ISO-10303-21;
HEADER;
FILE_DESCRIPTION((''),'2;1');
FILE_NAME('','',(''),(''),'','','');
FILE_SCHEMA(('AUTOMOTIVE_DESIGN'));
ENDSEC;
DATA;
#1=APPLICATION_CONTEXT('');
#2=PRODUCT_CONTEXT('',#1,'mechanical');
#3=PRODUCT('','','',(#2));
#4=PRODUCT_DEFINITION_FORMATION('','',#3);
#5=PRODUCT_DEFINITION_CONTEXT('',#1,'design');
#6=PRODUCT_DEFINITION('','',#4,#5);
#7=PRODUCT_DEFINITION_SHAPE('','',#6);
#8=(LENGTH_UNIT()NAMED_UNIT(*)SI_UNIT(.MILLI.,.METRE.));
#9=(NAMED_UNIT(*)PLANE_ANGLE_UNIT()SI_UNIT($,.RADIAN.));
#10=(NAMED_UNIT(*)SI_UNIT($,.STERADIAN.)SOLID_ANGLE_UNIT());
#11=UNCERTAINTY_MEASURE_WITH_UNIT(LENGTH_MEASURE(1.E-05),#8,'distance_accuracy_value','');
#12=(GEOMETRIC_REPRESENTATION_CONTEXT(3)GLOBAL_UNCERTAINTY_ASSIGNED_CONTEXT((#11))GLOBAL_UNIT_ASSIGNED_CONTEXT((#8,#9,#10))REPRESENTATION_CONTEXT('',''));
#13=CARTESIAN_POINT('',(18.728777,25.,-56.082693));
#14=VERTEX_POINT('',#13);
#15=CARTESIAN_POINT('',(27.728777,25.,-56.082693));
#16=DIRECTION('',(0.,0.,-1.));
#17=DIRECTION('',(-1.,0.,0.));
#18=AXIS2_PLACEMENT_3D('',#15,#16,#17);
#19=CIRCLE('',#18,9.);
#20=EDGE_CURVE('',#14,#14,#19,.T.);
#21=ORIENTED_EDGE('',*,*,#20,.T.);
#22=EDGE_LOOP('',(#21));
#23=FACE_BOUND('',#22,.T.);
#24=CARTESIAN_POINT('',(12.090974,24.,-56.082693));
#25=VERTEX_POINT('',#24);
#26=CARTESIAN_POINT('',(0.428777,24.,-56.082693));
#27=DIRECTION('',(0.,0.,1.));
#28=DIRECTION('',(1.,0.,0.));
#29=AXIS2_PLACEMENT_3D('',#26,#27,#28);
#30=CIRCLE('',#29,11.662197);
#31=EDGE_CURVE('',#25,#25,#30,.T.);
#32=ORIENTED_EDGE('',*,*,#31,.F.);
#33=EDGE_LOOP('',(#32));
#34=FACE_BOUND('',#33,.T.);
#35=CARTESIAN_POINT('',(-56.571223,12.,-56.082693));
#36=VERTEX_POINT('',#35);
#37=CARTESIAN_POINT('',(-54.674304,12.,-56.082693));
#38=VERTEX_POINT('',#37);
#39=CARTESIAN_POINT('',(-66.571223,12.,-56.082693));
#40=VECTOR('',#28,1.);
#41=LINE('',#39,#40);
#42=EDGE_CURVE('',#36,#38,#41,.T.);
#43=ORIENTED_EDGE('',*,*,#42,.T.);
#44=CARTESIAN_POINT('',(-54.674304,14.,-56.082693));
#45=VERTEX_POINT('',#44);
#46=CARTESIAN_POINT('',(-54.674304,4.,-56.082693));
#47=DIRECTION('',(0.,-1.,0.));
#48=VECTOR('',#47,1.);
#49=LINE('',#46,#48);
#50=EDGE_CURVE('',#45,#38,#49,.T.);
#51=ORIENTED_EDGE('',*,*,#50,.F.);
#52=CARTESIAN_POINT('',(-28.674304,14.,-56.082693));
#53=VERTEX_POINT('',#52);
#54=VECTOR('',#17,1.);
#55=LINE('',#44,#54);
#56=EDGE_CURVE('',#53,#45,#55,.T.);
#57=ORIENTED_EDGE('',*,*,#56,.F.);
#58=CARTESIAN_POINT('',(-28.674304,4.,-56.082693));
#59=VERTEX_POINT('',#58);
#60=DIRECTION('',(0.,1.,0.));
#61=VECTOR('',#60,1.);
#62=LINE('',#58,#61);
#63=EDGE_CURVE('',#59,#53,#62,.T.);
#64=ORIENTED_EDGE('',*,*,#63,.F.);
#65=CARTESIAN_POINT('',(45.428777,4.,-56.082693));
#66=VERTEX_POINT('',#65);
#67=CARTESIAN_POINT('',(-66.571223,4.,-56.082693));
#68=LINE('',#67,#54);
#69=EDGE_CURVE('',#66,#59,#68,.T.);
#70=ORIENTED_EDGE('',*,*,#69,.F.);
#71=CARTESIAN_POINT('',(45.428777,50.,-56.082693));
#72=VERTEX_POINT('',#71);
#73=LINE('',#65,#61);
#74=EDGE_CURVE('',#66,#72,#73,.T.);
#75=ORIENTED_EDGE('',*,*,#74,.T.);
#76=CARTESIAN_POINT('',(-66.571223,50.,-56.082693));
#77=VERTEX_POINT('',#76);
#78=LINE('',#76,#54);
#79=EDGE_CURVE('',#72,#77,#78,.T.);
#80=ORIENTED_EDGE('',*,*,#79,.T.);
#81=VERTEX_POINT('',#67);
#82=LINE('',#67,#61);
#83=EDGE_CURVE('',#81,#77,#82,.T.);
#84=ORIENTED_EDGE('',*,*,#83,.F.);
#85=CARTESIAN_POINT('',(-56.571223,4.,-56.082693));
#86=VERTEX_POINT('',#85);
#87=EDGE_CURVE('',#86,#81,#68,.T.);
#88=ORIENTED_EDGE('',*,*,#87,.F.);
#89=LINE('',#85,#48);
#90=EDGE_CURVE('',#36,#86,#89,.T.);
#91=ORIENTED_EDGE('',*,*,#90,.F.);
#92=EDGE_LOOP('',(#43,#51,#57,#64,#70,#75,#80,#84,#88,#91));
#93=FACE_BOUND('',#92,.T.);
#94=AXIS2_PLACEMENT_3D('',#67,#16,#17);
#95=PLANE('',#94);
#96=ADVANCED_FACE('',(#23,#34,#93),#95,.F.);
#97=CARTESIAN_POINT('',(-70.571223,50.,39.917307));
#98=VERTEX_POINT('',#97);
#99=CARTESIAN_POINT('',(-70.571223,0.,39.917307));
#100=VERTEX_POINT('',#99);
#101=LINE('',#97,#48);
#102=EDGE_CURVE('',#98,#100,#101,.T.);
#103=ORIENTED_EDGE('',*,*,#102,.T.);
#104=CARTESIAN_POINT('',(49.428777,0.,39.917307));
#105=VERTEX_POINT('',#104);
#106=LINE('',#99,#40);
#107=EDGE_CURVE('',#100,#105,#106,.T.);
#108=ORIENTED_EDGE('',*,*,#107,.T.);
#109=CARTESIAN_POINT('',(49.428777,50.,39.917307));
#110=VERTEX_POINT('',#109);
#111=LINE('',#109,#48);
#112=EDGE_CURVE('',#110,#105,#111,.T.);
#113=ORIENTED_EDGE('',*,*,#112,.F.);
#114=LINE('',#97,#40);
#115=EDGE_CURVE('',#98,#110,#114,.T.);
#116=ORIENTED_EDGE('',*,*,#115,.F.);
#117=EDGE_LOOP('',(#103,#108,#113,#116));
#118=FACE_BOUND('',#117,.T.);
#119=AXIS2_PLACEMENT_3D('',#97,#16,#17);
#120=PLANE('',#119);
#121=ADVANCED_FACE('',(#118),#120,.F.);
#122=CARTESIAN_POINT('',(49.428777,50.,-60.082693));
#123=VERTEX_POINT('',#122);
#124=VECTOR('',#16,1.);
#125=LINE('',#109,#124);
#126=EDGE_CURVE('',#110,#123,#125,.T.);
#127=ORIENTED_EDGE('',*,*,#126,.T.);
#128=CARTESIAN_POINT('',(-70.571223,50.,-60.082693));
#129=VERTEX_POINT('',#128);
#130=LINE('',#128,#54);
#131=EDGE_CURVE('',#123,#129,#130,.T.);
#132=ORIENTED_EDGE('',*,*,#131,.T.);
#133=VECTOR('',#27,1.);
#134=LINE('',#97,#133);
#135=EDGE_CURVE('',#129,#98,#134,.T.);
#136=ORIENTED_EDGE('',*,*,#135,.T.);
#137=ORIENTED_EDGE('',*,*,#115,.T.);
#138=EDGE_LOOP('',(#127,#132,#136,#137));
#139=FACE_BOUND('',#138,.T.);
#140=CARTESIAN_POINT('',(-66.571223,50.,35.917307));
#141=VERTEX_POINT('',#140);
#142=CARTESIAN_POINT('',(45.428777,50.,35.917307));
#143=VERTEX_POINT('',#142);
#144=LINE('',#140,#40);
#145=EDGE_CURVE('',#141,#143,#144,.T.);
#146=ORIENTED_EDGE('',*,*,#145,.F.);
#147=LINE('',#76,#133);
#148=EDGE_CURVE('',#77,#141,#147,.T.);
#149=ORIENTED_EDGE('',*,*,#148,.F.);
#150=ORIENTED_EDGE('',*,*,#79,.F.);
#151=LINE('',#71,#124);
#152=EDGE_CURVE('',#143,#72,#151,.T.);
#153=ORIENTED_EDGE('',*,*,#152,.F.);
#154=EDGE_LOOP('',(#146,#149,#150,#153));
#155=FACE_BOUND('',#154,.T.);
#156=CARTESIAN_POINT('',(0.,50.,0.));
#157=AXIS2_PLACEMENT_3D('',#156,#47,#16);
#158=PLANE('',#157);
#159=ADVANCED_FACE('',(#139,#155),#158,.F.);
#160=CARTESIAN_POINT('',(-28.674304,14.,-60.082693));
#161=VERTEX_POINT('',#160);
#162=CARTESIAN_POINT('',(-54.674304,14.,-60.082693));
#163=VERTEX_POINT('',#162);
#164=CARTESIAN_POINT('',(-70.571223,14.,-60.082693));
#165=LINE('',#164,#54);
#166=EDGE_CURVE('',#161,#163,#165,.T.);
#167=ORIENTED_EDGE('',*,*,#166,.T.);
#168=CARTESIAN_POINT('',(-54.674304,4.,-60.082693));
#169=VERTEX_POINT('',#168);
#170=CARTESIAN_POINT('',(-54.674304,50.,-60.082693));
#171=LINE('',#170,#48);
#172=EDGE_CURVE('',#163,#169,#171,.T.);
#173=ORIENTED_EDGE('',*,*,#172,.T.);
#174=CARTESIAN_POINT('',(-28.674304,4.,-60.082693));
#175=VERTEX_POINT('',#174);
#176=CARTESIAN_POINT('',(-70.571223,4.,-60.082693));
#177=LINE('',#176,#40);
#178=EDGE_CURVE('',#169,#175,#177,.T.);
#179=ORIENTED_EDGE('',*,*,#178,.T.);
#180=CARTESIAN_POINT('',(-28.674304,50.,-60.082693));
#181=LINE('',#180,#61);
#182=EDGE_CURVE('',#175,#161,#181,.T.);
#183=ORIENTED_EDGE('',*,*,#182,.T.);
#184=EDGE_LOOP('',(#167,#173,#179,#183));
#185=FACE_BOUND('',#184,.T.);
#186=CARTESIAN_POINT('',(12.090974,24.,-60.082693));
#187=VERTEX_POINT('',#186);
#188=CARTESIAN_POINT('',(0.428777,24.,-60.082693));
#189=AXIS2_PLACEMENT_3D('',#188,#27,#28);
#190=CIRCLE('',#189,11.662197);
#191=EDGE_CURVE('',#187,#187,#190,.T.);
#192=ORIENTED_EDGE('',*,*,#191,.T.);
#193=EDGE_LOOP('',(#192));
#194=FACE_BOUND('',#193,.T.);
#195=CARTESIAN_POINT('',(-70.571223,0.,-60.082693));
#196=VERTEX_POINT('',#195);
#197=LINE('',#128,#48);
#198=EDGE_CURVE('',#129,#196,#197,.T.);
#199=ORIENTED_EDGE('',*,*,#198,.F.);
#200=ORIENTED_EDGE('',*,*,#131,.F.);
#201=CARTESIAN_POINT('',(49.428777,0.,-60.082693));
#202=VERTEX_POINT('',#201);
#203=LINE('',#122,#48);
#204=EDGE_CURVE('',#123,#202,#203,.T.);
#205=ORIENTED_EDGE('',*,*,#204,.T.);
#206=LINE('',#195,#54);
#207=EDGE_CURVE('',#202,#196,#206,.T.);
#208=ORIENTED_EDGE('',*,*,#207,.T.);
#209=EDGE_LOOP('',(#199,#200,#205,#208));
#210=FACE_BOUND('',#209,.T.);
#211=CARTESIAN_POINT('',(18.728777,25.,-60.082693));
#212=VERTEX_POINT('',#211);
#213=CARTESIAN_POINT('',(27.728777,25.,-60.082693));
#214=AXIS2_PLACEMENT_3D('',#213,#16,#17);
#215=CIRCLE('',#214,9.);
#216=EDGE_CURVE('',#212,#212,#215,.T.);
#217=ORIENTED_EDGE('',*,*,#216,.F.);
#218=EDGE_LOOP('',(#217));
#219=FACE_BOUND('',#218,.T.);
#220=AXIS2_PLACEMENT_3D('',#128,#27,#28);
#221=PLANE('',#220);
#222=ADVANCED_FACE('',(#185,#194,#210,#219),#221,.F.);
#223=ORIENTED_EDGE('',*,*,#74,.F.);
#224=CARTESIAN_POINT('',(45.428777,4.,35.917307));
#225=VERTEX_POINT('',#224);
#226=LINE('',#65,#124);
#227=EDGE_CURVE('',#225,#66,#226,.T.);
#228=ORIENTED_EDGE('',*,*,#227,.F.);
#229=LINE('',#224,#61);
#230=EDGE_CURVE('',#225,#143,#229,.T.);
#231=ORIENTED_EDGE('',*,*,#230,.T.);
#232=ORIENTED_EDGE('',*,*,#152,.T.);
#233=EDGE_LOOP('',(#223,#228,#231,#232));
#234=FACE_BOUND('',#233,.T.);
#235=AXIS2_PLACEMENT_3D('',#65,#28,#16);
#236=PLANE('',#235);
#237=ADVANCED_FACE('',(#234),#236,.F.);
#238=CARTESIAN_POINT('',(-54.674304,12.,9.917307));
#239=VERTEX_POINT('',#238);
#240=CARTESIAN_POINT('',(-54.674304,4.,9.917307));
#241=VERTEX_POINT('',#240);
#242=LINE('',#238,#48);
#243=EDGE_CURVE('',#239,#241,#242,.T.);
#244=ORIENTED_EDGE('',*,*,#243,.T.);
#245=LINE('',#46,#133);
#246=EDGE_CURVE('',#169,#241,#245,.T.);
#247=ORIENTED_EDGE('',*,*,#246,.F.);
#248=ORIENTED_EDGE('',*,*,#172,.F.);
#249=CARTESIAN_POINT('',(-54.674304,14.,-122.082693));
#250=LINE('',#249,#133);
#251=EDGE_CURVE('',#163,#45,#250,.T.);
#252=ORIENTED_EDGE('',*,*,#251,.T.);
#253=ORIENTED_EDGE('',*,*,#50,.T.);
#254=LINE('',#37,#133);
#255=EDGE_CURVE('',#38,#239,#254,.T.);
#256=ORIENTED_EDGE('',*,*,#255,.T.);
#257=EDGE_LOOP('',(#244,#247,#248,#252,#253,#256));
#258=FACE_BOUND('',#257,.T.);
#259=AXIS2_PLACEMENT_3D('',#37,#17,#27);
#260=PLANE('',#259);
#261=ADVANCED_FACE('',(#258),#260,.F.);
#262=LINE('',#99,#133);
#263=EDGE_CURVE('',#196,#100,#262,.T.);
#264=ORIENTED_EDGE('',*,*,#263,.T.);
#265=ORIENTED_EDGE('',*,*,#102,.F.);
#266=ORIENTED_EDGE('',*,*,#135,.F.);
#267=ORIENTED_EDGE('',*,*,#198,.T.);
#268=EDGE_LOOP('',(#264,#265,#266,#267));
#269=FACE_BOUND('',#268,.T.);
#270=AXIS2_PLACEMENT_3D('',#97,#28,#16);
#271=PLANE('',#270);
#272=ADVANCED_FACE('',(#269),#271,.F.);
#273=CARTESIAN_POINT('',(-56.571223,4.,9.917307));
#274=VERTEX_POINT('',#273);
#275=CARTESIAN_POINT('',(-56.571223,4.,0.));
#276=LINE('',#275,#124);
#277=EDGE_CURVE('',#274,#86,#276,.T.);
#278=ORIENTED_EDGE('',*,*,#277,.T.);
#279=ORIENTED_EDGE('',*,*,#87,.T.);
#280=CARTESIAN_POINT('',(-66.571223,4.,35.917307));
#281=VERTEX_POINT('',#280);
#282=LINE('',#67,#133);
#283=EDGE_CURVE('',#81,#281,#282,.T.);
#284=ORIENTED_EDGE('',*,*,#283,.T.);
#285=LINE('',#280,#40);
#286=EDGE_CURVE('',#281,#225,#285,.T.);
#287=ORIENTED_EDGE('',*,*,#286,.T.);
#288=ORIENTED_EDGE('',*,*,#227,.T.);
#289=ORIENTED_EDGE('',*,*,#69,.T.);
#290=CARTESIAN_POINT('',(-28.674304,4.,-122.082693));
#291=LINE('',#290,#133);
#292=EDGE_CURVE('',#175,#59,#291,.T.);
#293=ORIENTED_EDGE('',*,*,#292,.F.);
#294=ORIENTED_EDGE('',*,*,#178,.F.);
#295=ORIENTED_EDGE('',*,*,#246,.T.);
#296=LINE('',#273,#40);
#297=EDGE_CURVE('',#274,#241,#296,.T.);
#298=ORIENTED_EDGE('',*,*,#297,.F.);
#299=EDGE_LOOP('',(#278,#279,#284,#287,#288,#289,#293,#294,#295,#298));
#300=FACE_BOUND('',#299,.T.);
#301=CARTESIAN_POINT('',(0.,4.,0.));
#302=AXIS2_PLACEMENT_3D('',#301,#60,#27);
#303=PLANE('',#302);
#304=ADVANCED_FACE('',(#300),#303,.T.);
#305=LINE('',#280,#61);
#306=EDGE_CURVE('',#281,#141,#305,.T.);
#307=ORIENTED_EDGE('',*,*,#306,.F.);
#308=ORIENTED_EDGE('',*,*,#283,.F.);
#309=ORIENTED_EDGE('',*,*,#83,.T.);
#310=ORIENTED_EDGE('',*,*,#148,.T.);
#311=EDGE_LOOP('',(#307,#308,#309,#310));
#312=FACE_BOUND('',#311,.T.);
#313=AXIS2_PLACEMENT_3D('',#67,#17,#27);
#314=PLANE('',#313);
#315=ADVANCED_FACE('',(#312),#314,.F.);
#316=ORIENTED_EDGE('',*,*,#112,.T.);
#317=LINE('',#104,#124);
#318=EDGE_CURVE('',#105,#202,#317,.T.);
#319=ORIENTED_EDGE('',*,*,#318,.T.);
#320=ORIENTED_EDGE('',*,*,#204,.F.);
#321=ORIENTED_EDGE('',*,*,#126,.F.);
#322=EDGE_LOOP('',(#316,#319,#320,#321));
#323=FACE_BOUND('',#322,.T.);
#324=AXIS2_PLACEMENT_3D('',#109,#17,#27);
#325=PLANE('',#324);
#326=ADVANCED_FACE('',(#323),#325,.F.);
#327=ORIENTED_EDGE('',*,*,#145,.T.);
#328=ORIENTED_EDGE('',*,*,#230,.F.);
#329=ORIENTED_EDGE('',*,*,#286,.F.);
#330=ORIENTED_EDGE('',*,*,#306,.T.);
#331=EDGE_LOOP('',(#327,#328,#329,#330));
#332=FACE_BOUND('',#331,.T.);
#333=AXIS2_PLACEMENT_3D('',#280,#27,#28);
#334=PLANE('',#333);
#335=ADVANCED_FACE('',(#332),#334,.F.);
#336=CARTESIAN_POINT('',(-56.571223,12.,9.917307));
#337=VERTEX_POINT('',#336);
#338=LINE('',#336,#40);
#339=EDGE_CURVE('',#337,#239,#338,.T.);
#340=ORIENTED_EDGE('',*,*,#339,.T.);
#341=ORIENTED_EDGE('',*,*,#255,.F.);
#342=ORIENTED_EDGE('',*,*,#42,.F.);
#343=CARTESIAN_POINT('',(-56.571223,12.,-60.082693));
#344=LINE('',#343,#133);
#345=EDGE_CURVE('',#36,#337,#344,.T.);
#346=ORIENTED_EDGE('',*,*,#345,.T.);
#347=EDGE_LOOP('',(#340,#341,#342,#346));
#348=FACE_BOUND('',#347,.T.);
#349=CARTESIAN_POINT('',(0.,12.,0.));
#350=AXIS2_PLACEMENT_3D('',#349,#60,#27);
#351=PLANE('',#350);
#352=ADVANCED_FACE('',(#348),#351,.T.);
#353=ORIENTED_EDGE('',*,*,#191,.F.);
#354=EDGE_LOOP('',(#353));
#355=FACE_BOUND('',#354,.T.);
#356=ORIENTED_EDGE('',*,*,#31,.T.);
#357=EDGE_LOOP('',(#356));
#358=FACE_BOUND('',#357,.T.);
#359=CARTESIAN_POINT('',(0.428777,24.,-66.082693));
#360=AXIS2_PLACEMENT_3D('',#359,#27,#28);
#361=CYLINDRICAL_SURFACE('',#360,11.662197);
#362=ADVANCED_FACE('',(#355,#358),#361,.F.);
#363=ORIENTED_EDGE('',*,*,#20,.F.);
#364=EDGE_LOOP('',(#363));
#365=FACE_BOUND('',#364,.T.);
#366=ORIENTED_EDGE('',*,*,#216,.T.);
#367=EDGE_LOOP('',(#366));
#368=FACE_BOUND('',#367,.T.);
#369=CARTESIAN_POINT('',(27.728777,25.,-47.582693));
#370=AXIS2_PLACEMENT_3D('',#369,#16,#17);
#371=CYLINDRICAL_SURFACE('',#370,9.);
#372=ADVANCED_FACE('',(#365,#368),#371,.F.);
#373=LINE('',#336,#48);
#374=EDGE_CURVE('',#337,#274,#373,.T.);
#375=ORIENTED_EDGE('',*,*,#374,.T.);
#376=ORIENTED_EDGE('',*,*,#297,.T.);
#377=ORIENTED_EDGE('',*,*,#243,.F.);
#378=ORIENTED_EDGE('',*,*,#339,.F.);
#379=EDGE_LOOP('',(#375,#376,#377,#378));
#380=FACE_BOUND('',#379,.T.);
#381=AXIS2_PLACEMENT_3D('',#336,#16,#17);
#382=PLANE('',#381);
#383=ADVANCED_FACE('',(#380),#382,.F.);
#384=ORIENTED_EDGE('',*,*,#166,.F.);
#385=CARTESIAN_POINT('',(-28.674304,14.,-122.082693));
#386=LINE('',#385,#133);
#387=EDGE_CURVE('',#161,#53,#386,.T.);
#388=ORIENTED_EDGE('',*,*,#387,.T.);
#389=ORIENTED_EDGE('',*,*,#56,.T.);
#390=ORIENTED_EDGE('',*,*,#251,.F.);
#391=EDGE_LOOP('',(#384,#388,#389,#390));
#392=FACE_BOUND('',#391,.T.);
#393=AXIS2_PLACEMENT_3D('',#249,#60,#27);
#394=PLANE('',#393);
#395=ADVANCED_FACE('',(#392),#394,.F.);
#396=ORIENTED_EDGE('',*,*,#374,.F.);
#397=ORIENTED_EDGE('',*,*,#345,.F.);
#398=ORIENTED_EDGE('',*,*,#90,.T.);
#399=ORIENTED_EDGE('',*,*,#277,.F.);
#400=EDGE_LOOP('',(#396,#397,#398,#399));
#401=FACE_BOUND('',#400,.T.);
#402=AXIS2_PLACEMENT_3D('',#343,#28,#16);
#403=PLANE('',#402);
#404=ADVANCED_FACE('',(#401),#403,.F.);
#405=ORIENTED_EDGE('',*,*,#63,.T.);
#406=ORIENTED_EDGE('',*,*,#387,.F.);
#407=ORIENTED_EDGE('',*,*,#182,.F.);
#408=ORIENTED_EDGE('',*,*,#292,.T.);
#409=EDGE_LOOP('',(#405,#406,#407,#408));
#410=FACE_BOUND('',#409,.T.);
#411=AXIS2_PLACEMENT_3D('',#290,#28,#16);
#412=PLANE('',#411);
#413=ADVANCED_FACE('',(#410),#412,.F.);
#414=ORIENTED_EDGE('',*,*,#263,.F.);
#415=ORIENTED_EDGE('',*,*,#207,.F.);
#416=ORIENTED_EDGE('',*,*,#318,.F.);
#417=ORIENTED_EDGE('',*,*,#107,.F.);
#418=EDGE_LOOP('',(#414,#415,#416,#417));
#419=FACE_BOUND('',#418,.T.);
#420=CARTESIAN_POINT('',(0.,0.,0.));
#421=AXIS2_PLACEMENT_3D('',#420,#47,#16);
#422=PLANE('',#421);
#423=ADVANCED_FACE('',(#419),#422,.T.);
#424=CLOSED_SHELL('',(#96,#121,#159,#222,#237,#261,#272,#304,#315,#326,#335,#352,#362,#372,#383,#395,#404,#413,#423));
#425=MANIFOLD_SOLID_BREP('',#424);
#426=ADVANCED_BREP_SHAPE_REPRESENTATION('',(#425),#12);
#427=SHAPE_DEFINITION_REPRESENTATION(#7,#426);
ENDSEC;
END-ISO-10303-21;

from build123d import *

# Parameters (mm, degrees)
SKETCH1_W           = 120
SKETCH1_H           = 100
BOSS_EXTRUDE1_DEPTH = 50
SKETCH2_W           = 112
SKETCH2_H           = 92
CUT_EXTRUDE1_DEPTH  = 46
SKETCH3_W           = 24.6
SKETCH3_H           = 70
BOSS_EXTRUDE3_DEPTH = 8
SKETCH6_W           = 24.61
SKETCH6_H           = 8
CUT_EXTRUDE4_DEPTH  = 66
SKETCH7_W           = 26
SKETCH7_H           = 10
CUT_EXTRUDE6_DEPTH  = 66
SKETCH10_R          = 9
CUT_EXTRUDE9_DEPTH  = 12.5
SKETCH8_R           = 11.662197426
CUT_EXTRUDE10_DEPTH = 10


with BuildPart() as part:
    # Sketch1 → Boss-Extrude1 (new body)
    with BuildSketch(Plane(origin=(0, 0, 0), x_dir=(1, 0, 0), z_dir=(0, 1, 0))):
        with Locations((-10.571222942, 10.082692781)):
            Rectangle(SKETCH1_W, SKETCH1_H)
    extrude(amount=BOSS_EXTRUDE1_DEPTH)

    # Sketch2 → Cut-Extrude1 (cut)
    with BuildSketch(Plane(origin=(0, 50, 0), x_dir=(1, 0, 0), z_dir=(0, 1, 0))):
        with Locations((-10.571222942, 10.082692781)):
            Rectangle(SKETCH2_W, SKETCH2_H)
    extrude(amount=-CUT_EXTRUDE1_DEPTH, mode=Mode.SUBTRACT)

    # Sketch3 → Boss-Extrude3 (add)
    with BuildSketch(Plane(origin=(0, 4, 0), x_dir=(1, 0, 0), z_dir=(0, 1, 0))):
        with Locations((-44.271222942, 25.082692781)):
            Rectangle(SKETCH3_W, SKETCH3_H)
    extrude(amount=BOSS_EXTRUDE3_DEPTH)

    # Sketch6 → Cut-Extrude4 (cut)
    with BuildSketch(Plane.XY.offset(9.917307219)):
        with Locations((-42.369304131, 8)):
            Rectangle(SKETCH6_W, SKETCH6_H)
    extrude(amount=-CUT_EXTRUDE4_DEPTH, mode=Mode.SUBTRACT)

    # Sketch7 → Cut-Extrude6 (cut)
    with BuildSketch(Plane.XY.offset(-56.082692781)):
        with Locations((-41.674304131, 9)):
            Rectangle(SKETCH7_W, SKETCH7_H)
    extrude(amount=-CUT_EXTRUDE6_DEPTH, mode=Mode.SUBTRACT)

    # Sketch10 → Cut-Extrude9 (cut)
    with BuildSketch(Plane(origin=(0, 0, -60.082692781), x_dir=(-1, 0, 0), z_dir=(0, 0, -1))):
        with Locations((-27.728777058, 25)):
            Circle(SKETCH10_R)
    extrude(amount=-CUT_EXTRUDE9_DEPTH, mode=Mode.SUBTRACT)

    # Sketch8 → Cut-Extrude10 (cut)
    with BuildSketch(Plane.XY.offset(-56.082692781)):
        with Locations((0.428777058, 24)):
            Circle(SKETCH8_R)
    extrude(amount=-CUT_EXTRUDE10_DEPTH, mode=Mode.SUBTRACT)


solid = part.part
